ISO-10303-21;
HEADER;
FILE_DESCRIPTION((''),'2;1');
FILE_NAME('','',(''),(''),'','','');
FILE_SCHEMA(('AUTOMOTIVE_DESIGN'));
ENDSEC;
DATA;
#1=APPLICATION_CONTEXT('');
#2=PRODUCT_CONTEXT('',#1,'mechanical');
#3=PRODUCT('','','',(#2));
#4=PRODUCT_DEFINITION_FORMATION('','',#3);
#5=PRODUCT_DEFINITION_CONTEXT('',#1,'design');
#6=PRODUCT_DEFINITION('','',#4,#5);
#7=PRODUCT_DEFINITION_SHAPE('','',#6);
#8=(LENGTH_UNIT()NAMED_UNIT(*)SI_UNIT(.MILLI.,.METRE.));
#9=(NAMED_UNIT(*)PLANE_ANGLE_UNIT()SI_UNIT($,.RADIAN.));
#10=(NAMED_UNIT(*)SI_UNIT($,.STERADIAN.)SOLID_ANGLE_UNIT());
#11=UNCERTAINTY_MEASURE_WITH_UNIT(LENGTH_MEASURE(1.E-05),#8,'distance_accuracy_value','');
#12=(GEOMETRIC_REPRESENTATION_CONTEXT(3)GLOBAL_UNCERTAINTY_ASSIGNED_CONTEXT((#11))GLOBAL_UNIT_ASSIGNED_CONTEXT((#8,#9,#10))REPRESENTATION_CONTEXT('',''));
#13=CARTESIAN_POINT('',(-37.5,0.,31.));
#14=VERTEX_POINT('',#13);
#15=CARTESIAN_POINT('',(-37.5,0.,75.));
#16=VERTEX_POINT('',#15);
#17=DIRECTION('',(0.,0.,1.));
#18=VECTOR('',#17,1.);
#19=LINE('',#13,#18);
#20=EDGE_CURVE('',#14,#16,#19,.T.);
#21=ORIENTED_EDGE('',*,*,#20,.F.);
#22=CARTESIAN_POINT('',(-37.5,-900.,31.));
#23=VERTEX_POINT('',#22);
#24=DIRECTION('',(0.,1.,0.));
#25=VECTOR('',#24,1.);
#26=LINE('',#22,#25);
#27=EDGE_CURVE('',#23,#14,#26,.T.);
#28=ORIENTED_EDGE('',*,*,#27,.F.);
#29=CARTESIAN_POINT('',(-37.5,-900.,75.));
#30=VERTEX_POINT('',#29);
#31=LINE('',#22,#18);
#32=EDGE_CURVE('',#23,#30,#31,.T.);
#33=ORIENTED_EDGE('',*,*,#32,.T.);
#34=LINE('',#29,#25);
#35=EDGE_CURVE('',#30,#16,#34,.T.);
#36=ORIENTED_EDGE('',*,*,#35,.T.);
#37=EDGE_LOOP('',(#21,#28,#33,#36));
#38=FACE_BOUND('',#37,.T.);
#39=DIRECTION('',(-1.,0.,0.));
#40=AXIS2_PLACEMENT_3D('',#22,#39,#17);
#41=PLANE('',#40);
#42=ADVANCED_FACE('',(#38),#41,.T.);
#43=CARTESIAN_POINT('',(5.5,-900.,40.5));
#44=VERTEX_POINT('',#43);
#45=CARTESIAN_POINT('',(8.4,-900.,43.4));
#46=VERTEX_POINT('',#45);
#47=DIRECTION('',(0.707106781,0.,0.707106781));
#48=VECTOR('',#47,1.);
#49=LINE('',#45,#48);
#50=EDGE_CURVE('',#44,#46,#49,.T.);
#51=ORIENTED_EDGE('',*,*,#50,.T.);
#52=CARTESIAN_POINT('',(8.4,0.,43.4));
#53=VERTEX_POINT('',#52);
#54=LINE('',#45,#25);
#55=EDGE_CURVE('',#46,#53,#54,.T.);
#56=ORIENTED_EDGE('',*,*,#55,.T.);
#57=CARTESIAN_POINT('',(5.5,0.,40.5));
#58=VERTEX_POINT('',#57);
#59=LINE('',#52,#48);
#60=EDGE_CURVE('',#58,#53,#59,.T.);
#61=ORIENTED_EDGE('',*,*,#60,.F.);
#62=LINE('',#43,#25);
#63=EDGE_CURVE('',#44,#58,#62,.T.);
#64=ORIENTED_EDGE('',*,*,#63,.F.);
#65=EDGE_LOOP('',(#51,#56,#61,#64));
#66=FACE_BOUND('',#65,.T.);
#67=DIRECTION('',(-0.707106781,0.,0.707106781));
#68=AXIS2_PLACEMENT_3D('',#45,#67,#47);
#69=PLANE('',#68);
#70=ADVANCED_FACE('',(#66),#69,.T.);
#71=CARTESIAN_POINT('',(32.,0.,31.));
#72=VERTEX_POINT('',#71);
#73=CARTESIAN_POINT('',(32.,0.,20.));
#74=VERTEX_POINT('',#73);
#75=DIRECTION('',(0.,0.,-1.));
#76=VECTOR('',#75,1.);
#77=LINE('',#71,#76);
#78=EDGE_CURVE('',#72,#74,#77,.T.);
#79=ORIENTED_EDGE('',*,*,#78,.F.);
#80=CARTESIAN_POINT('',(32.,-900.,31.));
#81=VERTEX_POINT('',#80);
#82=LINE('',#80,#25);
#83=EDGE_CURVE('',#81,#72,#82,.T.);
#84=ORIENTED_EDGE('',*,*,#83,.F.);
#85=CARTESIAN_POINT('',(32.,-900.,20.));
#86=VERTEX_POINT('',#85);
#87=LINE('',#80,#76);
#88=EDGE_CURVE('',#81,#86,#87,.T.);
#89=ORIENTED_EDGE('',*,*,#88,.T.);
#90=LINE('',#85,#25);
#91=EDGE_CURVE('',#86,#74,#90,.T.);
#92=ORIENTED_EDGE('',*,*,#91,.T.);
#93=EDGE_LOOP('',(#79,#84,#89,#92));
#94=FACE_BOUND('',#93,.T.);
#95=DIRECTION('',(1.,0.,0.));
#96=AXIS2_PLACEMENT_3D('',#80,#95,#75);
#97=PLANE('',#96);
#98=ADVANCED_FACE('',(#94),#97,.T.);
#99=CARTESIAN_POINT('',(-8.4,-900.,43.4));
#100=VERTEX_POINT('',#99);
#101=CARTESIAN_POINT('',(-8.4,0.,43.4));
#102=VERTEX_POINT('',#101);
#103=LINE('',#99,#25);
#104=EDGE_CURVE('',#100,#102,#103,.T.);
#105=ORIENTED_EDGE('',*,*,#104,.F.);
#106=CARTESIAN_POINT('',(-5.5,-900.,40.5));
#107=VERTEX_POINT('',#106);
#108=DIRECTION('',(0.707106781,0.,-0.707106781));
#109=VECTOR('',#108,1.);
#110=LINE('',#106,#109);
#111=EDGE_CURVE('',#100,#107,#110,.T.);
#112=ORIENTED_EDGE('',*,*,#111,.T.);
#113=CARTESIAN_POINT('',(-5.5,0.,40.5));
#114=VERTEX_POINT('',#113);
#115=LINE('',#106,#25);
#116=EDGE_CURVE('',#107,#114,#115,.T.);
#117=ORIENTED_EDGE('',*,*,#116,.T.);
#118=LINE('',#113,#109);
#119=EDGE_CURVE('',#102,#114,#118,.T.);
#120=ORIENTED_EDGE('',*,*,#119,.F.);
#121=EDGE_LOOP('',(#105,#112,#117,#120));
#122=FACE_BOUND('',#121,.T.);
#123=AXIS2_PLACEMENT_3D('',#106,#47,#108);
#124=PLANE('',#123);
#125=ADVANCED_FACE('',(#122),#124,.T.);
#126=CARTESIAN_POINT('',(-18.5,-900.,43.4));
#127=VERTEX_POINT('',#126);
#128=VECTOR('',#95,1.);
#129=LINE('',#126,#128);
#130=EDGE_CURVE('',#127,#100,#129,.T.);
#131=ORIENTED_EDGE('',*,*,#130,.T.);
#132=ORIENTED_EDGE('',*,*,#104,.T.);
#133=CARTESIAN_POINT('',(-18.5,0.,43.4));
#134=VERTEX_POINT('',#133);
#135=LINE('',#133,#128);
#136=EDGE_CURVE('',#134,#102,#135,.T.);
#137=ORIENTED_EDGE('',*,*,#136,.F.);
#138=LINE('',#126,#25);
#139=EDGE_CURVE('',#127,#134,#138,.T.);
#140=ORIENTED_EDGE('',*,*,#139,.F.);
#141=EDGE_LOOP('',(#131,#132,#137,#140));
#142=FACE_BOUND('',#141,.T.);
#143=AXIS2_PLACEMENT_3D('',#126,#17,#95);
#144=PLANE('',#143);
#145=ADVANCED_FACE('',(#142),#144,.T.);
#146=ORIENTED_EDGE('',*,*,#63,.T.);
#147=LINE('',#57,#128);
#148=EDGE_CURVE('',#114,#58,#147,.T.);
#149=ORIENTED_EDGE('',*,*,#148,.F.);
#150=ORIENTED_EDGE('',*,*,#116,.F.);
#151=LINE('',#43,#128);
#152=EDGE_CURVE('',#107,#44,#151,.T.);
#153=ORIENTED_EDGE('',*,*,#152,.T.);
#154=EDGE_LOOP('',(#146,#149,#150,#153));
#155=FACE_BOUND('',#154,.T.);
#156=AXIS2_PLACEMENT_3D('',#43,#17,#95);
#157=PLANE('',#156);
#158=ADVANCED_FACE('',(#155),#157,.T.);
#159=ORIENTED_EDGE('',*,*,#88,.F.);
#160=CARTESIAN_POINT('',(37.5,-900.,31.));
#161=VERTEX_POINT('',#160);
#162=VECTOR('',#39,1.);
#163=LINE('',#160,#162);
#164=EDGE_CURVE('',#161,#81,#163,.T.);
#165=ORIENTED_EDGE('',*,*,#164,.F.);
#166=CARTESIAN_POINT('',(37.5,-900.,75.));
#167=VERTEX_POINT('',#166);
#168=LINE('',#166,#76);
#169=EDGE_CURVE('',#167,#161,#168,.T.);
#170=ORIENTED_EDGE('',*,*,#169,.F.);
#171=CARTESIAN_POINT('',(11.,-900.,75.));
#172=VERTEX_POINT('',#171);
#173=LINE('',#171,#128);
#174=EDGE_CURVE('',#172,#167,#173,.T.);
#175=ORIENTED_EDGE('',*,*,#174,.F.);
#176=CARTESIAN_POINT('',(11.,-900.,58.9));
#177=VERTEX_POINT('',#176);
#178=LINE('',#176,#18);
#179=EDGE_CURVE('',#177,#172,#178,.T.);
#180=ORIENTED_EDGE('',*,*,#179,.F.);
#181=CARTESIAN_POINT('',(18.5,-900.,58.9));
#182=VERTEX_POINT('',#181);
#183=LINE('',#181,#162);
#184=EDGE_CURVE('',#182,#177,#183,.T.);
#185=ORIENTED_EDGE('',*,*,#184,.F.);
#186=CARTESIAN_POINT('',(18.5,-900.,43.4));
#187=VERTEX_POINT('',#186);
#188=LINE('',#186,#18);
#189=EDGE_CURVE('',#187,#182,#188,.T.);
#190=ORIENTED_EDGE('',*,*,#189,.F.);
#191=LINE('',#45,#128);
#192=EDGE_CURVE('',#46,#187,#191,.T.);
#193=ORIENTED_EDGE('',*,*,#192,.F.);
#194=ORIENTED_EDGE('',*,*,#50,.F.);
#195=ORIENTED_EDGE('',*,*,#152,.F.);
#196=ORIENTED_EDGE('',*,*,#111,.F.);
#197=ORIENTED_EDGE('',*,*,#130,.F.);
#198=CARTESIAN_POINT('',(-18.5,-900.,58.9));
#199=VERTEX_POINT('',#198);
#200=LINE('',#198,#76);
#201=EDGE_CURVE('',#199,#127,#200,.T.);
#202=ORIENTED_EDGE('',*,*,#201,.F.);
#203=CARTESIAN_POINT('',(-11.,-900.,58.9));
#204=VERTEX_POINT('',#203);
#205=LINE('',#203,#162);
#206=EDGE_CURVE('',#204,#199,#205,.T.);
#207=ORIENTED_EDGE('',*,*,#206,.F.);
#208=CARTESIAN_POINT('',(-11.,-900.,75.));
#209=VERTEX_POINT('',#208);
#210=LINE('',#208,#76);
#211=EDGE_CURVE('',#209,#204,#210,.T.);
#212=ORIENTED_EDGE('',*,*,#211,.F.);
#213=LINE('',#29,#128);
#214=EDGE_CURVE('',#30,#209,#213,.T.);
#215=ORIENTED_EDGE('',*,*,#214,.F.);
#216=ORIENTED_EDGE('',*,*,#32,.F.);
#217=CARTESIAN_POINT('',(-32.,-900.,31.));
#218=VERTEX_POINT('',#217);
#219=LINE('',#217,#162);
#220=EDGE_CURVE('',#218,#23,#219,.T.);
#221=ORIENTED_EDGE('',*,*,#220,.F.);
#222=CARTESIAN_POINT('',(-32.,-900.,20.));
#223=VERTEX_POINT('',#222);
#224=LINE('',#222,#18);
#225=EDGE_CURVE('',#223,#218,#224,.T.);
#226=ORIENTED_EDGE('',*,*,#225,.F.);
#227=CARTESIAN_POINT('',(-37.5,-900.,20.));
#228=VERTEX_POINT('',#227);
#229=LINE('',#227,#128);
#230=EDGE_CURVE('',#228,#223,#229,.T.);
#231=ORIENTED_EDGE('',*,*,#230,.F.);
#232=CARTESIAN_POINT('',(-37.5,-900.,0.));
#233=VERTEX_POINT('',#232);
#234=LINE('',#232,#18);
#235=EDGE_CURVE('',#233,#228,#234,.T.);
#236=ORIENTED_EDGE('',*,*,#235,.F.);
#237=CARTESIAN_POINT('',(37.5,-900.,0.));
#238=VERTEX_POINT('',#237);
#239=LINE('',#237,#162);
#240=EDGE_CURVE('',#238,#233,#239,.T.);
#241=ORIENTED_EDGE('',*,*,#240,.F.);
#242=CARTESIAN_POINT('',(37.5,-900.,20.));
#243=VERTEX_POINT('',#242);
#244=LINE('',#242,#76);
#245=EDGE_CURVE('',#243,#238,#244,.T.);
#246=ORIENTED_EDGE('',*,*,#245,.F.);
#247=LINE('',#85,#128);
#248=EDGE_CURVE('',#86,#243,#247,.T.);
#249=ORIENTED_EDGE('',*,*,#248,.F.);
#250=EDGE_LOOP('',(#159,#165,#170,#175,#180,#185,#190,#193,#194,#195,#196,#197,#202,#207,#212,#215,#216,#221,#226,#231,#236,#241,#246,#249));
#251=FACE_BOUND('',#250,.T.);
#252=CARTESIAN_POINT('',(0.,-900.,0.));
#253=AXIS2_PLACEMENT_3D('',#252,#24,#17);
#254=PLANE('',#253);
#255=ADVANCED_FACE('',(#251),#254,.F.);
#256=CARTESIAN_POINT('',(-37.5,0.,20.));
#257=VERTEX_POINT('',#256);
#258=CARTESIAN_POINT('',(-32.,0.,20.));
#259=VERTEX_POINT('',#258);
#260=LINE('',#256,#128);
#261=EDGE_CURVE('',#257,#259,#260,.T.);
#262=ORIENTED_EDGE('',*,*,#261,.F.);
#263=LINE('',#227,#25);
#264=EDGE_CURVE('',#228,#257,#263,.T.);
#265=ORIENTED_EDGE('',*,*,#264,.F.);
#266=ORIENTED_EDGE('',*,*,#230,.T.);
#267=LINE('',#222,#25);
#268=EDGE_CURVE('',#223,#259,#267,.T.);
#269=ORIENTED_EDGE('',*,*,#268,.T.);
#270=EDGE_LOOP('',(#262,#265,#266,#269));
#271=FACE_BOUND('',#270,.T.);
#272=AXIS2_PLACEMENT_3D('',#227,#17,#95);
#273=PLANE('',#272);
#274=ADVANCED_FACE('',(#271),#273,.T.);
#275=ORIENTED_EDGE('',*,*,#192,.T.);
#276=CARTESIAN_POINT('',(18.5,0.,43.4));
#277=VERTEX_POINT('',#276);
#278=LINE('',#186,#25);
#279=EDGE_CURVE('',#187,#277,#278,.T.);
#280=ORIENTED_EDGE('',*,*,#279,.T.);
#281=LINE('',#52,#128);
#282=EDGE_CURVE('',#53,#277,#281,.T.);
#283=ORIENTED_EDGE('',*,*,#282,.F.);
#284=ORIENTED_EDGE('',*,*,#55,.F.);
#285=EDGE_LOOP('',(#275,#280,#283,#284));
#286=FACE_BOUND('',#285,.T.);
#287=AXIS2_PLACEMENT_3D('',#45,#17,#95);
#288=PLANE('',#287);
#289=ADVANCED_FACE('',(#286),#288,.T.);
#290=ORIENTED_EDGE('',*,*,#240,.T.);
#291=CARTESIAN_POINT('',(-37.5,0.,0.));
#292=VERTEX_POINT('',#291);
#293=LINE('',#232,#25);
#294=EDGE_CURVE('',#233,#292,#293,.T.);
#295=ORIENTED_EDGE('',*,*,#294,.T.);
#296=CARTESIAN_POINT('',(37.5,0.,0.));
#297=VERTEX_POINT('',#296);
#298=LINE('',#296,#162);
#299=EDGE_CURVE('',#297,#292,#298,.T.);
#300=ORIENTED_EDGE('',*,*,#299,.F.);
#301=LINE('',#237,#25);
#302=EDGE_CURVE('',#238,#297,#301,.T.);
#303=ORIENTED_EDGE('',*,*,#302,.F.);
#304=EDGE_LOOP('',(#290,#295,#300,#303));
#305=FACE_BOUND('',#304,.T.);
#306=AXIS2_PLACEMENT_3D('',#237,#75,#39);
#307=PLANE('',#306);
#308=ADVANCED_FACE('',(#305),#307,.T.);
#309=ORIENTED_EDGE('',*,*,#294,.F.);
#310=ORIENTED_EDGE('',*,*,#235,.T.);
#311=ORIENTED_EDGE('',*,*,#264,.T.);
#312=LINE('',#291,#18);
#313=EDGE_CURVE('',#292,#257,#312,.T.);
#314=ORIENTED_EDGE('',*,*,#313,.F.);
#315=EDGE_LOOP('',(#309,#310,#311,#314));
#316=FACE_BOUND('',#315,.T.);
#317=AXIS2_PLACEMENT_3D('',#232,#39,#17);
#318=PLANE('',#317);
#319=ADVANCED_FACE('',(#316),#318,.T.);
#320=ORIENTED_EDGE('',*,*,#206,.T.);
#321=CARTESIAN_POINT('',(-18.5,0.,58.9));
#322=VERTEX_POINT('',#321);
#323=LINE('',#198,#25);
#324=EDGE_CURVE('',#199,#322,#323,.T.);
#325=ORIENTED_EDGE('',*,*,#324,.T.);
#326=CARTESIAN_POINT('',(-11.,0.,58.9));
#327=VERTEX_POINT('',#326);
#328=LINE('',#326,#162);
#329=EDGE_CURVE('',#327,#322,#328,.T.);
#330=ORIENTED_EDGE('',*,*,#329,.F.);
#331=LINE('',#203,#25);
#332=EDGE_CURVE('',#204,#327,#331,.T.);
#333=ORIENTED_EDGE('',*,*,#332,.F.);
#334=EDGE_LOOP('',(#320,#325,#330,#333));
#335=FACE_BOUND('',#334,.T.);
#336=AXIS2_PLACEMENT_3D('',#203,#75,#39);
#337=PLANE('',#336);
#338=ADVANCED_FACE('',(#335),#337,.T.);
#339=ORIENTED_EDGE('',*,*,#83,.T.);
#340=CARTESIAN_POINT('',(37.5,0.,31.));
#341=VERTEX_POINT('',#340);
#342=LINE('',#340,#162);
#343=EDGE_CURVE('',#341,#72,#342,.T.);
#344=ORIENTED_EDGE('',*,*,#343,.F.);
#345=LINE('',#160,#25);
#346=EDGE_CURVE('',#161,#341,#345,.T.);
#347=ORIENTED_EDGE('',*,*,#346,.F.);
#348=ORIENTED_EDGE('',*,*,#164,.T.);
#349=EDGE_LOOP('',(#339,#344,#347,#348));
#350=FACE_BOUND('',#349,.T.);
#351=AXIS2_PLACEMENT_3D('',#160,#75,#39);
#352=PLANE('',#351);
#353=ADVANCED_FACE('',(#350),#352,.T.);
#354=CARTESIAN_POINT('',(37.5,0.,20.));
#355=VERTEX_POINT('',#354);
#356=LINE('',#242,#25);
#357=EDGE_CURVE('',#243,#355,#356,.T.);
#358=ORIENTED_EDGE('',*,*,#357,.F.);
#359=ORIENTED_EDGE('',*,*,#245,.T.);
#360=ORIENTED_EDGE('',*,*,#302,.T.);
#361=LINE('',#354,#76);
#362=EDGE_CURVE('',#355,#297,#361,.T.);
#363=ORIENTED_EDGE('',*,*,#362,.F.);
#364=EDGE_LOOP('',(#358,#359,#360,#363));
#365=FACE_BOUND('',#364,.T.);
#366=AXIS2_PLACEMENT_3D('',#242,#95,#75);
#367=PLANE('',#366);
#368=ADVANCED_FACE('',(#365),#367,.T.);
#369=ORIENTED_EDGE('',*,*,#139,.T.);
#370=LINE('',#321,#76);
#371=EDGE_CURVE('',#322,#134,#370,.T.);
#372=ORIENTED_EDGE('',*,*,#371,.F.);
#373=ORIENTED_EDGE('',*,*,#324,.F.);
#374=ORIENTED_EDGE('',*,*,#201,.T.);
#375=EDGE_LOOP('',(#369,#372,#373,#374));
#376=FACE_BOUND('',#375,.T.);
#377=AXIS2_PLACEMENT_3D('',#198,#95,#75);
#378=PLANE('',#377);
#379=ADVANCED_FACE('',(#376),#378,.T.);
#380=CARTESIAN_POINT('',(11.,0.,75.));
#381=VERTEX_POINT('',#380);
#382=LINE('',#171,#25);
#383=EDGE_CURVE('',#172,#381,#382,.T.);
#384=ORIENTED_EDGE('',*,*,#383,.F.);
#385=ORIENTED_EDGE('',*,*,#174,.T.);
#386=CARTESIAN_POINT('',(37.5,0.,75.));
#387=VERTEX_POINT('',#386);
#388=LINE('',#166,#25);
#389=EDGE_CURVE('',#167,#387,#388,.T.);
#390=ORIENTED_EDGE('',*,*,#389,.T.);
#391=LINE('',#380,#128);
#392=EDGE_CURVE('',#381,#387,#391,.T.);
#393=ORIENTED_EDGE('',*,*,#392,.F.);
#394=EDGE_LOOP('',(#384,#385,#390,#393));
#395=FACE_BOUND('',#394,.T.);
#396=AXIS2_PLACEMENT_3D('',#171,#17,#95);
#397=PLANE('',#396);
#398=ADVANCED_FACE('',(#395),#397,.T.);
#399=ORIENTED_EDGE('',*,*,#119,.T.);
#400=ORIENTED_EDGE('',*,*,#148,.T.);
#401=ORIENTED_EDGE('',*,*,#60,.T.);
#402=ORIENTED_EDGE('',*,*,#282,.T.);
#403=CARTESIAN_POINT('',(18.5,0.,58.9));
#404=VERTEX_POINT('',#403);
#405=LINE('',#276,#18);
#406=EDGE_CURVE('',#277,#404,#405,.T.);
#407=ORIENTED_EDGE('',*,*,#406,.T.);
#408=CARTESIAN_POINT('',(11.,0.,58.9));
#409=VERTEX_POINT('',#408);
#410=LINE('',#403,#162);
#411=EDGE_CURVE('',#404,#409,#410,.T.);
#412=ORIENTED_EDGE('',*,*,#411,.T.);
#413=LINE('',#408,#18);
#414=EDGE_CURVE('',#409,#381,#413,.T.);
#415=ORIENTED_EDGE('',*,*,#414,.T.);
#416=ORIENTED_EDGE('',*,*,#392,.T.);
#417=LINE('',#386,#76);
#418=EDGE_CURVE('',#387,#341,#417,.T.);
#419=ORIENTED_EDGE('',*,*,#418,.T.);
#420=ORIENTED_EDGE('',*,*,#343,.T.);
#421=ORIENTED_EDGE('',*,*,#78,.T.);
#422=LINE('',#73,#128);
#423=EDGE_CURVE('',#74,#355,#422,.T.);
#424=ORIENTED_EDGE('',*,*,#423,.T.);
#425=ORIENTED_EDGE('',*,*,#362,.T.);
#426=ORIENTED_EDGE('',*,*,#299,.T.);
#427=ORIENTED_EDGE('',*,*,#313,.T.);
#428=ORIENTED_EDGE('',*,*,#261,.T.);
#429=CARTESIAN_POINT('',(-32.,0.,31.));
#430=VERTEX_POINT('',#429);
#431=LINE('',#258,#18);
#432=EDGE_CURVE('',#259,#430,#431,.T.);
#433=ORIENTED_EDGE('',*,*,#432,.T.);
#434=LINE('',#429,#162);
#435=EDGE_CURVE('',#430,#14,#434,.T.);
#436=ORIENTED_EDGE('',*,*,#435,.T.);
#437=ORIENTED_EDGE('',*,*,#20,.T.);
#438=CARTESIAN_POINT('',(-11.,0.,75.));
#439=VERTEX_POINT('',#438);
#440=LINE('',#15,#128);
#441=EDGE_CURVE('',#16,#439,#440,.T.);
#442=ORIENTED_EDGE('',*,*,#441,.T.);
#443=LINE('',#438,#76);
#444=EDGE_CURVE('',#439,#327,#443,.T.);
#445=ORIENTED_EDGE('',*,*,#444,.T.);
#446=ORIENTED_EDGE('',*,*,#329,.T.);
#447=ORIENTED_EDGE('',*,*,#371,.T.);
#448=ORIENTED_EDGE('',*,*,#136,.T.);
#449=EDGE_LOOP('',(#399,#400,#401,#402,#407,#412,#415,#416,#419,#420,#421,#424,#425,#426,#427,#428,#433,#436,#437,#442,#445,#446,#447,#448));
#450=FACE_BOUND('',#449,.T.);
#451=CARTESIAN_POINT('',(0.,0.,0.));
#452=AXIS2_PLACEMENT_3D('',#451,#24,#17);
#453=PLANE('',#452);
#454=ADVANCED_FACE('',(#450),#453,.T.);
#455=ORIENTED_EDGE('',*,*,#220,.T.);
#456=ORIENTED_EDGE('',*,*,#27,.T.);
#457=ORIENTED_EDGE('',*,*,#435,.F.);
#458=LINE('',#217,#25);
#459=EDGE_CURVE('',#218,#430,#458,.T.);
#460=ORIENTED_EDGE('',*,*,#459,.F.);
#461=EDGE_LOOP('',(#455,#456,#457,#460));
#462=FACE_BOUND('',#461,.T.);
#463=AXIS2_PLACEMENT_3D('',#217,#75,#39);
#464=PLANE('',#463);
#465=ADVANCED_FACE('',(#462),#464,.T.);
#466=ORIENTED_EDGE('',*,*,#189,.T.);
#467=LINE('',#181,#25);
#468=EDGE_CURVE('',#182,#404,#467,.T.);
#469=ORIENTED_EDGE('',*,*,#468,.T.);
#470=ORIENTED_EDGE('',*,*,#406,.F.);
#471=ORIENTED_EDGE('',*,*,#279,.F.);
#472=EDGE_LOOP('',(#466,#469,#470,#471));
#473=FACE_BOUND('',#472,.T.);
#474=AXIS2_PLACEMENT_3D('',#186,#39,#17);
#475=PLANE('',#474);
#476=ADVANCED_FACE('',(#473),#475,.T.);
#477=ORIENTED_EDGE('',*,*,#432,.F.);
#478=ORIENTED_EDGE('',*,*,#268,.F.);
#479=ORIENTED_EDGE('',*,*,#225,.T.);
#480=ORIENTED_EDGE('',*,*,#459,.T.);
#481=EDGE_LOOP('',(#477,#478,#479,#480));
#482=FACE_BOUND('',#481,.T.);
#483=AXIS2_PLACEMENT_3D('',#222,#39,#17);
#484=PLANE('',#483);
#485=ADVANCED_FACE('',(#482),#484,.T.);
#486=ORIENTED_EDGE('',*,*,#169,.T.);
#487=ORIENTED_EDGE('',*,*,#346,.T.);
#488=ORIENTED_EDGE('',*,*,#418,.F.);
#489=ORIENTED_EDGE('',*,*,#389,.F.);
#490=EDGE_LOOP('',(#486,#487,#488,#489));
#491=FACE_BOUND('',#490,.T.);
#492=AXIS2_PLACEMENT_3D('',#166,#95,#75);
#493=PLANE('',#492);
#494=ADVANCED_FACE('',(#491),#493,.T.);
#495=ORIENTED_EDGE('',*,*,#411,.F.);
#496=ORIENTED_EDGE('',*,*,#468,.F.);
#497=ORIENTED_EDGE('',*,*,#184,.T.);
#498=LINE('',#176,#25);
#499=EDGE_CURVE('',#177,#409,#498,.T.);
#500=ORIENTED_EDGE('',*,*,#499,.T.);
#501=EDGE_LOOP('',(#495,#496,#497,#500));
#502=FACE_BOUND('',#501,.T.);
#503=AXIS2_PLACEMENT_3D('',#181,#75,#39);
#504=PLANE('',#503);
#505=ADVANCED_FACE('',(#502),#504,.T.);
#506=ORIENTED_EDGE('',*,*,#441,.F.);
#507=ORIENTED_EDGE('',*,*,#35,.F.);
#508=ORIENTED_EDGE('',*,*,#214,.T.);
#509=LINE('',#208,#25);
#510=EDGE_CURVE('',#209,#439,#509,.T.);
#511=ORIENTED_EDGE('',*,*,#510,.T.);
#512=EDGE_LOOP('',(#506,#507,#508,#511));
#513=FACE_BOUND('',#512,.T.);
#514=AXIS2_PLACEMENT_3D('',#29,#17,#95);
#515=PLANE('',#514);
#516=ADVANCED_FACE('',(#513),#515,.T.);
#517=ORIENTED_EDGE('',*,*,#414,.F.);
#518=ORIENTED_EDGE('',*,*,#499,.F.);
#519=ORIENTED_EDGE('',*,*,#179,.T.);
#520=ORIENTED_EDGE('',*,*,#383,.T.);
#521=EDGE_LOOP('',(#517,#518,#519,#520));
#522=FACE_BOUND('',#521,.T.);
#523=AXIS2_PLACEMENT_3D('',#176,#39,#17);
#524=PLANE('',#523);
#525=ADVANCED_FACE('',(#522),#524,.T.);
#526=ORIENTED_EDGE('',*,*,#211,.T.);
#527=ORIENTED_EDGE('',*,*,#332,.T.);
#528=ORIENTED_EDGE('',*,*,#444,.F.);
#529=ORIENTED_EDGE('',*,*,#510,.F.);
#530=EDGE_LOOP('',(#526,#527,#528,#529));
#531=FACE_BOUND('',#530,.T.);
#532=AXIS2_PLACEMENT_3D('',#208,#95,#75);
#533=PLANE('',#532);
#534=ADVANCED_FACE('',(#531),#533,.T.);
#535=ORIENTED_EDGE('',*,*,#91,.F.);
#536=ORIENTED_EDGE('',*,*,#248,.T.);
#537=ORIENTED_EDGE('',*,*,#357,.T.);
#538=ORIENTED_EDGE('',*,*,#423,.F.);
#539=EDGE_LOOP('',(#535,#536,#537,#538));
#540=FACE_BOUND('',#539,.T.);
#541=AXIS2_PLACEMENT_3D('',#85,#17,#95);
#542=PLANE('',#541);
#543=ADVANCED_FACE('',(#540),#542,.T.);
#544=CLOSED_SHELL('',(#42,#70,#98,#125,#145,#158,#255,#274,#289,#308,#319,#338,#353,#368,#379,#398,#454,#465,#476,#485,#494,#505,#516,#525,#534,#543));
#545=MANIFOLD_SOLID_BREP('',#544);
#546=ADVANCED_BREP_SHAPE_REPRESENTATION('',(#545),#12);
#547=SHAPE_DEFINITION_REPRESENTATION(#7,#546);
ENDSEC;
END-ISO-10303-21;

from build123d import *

# Parameters (mm, degrees)
BOSS_EXTRUDE1_DEPTH = 900


with BuildPart() as part:
    # Sketch1 → Boss-Extrude1 (new body)
    with BuildSketch(Plane(origin=(0, 0, 0), x_dir=(1, 0, 0), z_dir=(0, 1, 0))):
        Polygon((37.5, 0), (-37.5, 0), (-37.5, -20), (-32, -20), (-32, -31), (-37.5, -31), (-37.5, -75), (-11, -75), (-11, -58.9), (-18.5, -58.9), (-18.5, -43.4), (-8.4, -43.4), (-5.5, -40.5), (5.5, -40.5), (8.4, -43.4), (18.5, -43.4), (18.5, -58.9), (11, -58.9), (11, -75), (37.5, -75), (37.5, -31), (32, -31), (32, -20), (37.5, -20), align=None)
    extrude(amount=-BOSS_EXTRUDE1_DEPTH)


solid = part.part
